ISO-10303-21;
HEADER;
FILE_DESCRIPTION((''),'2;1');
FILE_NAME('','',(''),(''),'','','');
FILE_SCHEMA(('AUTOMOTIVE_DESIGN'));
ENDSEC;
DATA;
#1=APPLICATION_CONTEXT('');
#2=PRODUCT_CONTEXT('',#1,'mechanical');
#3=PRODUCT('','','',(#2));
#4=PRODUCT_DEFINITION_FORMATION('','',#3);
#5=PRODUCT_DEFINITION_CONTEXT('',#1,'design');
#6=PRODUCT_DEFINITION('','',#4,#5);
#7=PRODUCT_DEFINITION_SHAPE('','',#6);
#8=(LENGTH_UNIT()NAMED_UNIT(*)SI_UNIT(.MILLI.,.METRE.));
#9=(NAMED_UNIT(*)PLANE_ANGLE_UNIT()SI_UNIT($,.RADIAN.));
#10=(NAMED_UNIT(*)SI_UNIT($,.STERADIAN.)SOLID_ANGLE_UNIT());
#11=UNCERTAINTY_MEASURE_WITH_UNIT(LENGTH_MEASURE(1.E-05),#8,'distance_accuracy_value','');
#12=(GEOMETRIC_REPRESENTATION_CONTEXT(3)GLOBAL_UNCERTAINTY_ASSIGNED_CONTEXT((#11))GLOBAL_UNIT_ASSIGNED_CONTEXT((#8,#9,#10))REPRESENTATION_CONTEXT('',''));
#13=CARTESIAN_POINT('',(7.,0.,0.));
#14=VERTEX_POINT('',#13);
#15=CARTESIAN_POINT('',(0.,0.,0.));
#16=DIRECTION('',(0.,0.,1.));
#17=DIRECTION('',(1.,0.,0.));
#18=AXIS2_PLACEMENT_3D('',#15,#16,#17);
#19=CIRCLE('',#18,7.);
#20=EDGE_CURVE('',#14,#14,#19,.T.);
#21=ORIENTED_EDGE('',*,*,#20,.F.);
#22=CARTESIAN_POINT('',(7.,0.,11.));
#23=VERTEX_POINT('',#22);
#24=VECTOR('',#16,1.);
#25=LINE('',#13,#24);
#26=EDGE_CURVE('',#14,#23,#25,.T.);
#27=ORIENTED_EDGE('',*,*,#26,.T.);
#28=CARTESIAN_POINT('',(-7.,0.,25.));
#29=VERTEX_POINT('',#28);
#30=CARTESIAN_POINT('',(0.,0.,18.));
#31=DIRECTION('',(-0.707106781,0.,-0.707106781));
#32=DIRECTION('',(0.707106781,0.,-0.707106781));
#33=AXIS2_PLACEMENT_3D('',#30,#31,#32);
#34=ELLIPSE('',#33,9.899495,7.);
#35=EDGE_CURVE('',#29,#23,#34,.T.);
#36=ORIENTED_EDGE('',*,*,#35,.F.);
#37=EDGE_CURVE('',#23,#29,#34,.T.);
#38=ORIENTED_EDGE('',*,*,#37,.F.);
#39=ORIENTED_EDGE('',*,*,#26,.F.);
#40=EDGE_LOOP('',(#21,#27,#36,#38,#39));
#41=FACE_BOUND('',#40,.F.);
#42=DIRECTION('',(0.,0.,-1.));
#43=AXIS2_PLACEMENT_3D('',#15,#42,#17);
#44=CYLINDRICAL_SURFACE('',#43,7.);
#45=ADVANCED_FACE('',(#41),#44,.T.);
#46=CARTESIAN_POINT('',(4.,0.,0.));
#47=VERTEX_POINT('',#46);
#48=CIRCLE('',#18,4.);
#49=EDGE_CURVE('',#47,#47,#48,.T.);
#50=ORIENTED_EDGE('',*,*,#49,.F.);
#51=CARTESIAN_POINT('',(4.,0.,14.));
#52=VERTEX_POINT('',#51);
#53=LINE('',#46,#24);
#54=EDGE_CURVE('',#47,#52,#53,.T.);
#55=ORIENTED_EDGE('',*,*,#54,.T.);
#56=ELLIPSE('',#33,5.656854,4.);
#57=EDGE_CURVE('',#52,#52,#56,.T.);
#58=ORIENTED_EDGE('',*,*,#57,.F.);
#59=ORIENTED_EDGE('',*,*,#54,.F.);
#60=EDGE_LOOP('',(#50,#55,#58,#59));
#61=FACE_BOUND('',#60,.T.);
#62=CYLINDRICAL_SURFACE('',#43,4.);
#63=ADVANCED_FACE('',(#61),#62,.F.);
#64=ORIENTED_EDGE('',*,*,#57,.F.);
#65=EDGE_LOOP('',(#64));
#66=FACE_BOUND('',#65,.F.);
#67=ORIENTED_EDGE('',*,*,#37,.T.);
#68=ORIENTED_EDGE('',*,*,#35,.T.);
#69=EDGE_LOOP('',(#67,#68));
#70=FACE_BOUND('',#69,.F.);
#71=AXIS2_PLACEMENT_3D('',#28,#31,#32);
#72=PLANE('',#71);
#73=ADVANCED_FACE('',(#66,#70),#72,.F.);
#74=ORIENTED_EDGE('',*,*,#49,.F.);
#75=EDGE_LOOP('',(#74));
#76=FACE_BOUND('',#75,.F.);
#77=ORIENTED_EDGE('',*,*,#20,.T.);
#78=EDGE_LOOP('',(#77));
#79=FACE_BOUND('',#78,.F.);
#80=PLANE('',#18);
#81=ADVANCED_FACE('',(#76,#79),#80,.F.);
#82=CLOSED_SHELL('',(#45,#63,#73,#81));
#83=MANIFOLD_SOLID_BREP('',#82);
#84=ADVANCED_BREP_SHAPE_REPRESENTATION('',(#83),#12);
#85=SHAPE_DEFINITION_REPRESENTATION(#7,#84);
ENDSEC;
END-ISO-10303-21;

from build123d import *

# Parameters (mm, degrees)
F0_R     = 7
F0_R_2   = 4
F1_DEPTH = 25
F3_DEPTH = 12.5


with BuildPart() as f1:
    # F0 (on Top) → F1 (new body)
    with BuildSketch(Plane.XY):
        Circle(F0_R)
        Circle(F0_R_2, mode=Mode.SUBTRACT)
    extrude(amount=F1_DEPTH)

    # F2 (on Front) → F3 (cut, symmetric)
    with BuildSketch(Plane.XZ):
        Polygon((7, 11), (7, 25), (-7, 25), align=None)
    extrude(amount=F3_DEPTH, both=True, mode=Mode.SUBTRACT)


solid = f1.part
